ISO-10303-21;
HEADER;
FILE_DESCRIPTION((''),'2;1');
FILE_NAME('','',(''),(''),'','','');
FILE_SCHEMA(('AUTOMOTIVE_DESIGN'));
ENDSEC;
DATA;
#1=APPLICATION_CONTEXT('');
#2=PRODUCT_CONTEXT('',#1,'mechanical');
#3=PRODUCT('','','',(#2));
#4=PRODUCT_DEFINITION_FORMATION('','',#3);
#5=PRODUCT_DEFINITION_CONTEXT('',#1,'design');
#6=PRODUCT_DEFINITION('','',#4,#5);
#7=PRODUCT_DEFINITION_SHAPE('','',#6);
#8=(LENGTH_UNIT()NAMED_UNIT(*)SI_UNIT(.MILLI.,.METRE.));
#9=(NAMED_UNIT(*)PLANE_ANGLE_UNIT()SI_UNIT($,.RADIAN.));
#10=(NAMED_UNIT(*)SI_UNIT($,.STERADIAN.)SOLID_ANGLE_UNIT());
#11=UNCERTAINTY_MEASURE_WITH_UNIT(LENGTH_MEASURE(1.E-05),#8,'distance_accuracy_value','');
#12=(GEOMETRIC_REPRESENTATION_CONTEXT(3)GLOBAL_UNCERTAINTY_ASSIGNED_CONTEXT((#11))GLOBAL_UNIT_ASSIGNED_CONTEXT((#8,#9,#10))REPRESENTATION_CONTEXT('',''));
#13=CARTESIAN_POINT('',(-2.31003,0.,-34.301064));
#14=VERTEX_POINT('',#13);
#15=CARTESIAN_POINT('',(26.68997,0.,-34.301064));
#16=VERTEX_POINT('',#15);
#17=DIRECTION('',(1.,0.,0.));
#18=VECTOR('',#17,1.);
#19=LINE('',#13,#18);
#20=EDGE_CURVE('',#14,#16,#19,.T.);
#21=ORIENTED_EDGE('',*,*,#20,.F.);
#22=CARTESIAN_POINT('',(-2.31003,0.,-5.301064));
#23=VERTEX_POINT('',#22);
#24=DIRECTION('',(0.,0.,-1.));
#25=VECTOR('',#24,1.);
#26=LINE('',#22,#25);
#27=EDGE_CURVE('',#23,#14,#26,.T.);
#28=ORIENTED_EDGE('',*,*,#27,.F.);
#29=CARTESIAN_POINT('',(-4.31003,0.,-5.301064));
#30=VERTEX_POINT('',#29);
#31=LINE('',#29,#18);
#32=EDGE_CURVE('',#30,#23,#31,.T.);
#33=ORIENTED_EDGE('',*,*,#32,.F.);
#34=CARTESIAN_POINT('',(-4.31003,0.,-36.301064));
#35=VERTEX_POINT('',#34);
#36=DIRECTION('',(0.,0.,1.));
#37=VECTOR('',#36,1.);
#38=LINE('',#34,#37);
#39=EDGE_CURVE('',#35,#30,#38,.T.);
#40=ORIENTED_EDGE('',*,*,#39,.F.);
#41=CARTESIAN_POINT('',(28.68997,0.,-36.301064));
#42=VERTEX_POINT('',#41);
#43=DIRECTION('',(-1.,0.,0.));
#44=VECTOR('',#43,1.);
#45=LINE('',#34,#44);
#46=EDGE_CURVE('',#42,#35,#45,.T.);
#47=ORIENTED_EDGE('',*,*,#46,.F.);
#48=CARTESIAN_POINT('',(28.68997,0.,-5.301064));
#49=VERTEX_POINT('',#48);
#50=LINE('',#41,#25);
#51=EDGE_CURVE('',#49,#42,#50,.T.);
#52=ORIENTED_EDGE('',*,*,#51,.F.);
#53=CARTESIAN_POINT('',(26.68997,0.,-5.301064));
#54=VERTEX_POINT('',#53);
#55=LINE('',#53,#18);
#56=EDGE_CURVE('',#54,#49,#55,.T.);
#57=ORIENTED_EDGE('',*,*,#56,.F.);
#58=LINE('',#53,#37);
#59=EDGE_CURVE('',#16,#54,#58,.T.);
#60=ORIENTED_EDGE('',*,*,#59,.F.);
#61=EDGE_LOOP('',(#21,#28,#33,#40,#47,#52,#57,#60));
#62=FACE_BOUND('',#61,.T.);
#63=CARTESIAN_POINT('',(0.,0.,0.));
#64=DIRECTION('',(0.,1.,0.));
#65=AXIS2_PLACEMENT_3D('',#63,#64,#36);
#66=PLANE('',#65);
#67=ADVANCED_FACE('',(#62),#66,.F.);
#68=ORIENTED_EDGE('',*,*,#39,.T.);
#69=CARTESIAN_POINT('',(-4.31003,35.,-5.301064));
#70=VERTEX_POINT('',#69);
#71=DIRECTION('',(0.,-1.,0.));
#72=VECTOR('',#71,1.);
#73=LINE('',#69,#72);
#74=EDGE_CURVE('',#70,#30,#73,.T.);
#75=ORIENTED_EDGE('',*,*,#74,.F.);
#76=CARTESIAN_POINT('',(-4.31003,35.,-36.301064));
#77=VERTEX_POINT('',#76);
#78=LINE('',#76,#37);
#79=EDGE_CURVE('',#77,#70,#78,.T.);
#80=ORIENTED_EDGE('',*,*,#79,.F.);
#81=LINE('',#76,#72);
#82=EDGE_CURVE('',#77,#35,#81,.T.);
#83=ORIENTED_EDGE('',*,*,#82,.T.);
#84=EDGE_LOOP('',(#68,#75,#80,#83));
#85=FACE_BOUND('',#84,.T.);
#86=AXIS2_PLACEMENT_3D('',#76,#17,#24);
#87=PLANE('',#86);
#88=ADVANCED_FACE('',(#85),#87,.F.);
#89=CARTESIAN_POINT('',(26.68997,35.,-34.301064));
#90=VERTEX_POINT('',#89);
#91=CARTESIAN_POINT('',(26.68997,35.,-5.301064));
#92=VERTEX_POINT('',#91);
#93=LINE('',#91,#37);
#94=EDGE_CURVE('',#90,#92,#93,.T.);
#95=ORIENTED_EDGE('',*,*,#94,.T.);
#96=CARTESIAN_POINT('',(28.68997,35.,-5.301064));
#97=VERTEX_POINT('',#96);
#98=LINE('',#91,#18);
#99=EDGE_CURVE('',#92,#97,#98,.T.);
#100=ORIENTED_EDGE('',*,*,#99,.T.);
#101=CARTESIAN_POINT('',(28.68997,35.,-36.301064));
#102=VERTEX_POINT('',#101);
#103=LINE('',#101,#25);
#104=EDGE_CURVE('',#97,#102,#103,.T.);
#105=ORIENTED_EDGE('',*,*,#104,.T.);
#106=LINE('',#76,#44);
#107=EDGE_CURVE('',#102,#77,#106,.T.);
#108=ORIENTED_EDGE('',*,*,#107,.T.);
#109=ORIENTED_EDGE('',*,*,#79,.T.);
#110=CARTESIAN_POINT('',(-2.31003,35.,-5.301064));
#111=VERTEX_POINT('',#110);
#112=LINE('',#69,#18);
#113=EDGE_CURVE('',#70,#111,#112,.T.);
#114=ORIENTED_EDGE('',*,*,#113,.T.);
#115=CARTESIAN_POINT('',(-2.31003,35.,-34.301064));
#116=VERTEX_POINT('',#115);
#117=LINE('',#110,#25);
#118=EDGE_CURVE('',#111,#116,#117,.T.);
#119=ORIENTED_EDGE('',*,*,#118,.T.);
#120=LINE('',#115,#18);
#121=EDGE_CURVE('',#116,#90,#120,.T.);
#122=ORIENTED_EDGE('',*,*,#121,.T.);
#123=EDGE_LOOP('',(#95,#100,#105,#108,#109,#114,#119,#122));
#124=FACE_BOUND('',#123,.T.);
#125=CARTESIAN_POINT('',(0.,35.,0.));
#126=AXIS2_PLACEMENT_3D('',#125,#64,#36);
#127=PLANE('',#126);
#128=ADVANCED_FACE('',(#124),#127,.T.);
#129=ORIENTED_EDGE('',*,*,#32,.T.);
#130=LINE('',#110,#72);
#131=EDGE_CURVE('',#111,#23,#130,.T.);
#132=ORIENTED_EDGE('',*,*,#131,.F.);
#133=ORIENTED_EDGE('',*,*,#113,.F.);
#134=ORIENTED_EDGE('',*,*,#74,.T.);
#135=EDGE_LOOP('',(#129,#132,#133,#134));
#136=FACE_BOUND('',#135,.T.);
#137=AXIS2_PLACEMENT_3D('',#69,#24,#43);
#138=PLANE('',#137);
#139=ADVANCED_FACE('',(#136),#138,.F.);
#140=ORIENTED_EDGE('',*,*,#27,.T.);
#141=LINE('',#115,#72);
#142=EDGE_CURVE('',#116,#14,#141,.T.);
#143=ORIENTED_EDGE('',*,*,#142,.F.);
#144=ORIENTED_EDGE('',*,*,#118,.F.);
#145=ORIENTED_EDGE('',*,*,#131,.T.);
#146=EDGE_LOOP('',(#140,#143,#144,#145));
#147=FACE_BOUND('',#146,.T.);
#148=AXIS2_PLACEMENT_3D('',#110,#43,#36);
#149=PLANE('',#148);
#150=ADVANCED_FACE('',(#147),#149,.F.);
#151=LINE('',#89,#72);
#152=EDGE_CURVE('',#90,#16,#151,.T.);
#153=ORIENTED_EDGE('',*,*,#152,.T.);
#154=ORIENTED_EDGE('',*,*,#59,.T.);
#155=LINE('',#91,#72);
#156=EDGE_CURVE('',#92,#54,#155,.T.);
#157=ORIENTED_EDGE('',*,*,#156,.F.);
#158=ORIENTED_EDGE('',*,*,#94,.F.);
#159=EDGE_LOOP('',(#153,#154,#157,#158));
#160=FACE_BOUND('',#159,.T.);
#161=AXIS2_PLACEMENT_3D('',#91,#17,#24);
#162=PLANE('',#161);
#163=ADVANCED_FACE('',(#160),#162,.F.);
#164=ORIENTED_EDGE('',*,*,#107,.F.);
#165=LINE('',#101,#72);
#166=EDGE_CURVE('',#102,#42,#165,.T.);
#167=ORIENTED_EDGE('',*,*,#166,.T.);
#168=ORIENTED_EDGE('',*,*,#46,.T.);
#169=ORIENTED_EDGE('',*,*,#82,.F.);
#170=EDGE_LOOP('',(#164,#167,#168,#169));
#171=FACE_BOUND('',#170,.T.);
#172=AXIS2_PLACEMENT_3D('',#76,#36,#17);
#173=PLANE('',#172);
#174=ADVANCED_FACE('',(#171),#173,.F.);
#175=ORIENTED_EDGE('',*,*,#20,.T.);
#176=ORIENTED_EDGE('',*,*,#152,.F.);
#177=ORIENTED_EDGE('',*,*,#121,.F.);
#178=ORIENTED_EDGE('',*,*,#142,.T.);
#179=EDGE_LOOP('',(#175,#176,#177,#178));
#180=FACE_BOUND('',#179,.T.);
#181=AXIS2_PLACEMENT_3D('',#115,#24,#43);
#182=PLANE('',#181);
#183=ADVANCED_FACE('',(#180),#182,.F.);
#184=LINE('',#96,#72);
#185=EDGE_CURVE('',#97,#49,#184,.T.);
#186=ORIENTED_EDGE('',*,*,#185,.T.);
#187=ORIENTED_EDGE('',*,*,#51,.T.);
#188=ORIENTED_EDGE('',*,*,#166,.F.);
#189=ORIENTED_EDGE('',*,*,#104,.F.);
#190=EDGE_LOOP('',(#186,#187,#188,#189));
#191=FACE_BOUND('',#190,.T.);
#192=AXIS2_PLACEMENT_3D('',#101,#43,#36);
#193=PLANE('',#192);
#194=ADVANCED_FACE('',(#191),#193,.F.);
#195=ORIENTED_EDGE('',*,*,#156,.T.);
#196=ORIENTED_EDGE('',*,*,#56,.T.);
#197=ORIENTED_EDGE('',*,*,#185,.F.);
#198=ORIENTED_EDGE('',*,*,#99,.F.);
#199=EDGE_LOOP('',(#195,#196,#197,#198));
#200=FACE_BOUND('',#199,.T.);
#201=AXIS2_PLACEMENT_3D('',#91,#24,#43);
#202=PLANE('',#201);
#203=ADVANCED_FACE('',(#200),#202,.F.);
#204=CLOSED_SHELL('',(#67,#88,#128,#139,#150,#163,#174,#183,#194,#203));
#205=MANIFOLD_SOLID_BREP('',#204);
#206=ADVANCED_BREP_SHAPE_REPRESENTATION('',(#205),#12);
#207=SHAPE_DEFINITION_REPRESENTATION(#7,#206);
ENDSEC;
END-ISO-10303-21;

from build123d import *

# Parameters (mm, degrees)
BOSS_EXTRUDE1_DEPTH = 35


with BuildPart() as part:
    # Sketch1 → Boss-Extrude1 (new body)
    with BuildSketch(Plane(origin=(0, 0, 0), x_dir=(1, 0, 0), z_dir=(0, 1, 0))):
        Polygon((26.689969605, 5.301064411), (28.689969605, 5.301064411), (28.689969605, 36.301064411), (-4.310030395, 36.301064411), (-4.310030395, 5.301064411), (-2.310030395, 5.301064411), (-2.310030395, 34.301064411), (26.689969605, 34.301064411), align=None)
    extrude(amount=BOSS_EXTRUDE1_DEPTH)


solid = part.part
